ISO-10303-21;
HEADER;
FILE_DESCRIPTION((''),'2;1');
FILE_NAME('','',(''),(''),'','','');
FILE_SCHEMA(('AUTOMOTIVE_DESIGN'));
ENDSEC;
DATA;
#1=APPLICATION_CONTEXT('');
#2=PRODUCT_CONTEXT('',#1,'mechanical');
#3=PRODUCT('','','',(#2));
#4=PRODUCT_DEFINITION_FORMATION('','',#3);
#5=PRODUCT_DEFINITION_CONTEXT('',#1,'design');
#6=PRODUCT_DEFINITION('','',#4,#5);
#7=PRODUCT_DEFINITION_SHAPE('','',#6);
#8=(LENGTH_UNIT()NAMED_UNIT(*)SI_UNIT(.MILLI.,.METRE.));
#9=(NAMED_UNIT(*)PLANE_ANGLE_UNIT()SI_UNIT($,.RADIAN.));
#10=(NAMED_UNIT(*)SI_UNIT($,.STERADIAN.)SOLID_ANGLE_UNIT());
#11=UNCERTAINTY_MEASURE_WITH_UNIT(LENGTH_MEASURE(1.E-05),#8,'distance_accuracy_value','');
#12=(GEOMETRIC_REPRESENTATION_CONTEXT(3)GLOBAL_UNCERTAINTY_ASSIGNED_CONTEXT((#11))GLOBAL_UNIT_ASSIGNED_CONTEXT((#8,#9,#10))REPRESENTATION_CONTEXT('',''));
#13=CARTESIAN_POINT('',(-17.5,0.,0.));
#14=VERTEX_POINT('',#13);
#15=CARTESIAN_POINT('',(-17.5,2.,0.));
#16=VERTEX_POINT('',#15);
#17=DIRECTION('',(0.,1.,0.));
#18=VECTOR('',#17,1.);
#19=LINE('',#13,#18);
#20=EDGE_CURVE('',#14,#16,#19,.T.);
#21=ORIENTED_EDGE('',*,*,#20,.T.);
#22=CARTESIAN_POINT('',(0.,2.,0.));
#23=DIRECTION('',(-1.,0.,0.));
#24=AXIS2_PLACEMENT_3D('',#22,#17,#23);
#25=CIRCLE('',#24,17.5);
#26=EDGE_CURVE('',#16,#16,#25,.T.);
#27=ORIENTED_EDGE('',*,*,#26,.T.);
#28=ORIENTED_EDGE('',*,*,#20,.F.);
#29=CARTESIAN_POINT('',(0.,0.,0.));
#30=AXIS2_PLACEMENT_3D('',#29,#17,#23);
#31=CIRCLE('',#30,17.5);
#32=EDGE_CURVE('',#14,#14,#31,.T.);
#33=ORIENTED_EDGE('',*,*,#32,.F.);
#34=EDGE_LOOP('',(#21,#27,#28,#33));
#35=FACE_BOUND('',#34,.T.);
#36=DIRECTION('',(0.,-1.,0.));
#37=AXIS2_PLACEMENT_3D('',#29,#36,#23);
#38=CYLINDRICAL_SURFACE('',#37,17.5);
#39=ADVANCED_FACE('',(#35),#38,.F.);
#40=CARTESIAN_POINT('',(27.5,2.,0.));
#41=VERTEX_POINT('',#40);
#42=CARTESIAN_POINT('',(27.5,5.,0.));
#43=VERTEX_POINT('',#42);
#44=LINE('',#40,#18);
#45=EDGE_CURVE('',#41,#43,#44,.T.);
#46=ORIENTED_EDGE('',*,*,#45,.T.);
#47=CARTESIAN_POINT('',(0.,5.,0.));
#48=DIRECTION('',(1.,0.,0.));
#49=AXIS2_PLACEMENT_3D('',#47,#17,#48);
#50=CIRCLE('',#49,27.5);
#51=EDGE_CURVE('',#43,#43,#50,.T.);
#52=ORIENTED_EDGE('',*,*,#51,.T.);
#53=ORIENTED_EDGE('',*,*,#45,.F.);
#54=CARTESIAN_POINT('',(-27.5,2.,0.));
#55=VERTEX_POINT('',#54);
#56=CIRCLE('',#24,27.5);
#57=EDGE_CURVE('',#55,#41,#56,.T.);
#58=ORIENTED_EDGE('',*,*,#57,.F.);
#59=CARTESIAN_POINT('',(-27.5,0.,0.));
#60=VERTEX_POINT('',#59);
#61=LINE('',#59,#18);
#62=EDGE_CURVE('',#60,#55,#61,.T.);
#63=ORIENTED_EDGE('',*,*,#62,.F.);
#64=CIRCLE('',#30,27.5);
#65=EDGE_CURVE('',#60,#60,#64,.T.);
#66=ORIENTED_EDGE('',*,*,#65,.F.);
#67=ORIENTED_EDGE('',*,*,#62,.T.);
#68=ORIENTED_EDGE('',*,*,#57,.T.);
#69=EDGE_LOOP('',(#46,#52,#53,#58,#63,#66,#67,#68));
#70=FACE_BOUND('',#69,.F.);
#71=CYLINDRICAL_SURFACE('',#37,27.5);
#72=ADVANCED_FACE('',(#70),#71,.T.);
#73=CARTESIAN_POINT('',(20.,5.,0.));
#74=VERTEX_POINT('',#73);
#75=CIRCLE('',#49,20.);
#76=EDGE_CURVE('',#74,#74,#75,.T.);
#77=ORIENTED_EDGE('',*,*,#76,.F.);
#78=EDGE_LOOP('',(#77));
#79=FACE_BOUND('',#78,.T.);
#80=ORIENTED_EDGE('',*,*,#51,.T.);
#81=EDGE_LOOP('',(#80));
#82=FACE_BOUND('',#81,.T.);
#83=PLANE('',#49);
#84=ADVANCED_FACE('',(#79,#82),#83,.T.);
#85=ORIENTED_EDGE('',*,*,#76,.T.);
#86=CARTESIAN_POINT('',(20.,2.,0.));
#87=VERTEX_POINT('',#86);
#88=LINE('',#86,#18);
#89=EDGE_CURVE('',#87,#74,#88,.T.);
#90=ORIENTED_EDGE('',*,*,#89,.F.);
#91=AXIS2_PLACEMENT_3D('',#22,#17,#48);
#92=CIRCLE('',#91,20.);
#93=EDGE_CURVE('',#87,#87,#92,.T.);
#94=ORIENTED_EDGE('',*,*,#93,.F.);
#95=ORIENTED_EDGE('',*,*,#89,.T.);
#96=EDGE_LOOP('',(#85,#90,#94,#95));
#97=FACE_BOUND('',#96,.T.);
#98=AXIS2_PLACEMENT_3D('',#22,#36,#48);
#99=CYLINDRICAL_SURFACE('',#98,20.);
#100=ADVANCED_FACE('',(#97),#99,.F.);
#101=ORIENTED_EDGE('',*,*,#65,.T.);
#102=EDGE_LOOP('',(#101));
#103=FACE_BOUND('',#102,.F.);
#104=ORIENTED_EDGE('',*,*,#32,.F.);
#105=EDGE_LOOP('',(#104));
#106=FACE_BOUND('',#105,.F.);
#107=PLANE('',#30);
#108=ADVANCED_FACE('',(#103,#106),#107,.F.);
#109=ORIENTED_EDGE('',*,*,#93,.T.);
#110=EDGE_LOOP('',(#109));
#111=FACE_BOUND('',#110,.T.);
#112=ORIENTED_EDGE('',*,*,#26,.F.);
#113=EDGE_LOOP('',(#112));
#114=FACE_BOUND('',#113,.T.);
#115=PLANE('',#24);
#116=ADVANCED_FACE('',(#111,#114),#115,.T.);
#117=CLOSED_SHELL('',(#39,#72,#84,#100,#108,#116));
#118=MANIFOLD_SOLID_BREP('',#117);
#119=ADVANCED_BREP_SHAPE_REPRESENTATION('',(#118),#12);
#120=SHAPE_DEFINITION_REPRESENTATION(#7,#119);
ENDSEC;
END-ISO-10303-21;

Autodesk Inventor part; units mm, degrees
ref_plane "YZ Plane" through (0, 0, 0) normal (1, 0, 0) x (0, 1, 0)
ref_plane "XZ Plane" through (0, 0, 0) normal (0, 1, 0) x (-1, 0, 0)
ref_plane "XY Plane" through (0, 0, 0) normal (0, 0, 1) x (1, 0, 0)
sketch "Sketch1" plane through (0, 0, 0) normal (0, 1, 0) x (-1, 0, 0)
  circle A0 centre (0, 0) radius 27.5
  circle A1 centre (0, 0) radius 17.5
  dimension "d0" = 55
  dimension "d1" = 35
extrude "Extrusion1" add sketch "Sketch1" along normal blind 2
sketch "Sketch2" plane through (0, 2, 0) normal (0, 1, 0) x (1, 0, 0)
  circle A0 centre (0, 0) radius 27.5 projected
  circle A1 centre (0, 0) radius 20
  dimension "d4" = 40
extrude "Extrusion2" add sketch "Sketch2" along normal blind 3
properties part number "Rim"
